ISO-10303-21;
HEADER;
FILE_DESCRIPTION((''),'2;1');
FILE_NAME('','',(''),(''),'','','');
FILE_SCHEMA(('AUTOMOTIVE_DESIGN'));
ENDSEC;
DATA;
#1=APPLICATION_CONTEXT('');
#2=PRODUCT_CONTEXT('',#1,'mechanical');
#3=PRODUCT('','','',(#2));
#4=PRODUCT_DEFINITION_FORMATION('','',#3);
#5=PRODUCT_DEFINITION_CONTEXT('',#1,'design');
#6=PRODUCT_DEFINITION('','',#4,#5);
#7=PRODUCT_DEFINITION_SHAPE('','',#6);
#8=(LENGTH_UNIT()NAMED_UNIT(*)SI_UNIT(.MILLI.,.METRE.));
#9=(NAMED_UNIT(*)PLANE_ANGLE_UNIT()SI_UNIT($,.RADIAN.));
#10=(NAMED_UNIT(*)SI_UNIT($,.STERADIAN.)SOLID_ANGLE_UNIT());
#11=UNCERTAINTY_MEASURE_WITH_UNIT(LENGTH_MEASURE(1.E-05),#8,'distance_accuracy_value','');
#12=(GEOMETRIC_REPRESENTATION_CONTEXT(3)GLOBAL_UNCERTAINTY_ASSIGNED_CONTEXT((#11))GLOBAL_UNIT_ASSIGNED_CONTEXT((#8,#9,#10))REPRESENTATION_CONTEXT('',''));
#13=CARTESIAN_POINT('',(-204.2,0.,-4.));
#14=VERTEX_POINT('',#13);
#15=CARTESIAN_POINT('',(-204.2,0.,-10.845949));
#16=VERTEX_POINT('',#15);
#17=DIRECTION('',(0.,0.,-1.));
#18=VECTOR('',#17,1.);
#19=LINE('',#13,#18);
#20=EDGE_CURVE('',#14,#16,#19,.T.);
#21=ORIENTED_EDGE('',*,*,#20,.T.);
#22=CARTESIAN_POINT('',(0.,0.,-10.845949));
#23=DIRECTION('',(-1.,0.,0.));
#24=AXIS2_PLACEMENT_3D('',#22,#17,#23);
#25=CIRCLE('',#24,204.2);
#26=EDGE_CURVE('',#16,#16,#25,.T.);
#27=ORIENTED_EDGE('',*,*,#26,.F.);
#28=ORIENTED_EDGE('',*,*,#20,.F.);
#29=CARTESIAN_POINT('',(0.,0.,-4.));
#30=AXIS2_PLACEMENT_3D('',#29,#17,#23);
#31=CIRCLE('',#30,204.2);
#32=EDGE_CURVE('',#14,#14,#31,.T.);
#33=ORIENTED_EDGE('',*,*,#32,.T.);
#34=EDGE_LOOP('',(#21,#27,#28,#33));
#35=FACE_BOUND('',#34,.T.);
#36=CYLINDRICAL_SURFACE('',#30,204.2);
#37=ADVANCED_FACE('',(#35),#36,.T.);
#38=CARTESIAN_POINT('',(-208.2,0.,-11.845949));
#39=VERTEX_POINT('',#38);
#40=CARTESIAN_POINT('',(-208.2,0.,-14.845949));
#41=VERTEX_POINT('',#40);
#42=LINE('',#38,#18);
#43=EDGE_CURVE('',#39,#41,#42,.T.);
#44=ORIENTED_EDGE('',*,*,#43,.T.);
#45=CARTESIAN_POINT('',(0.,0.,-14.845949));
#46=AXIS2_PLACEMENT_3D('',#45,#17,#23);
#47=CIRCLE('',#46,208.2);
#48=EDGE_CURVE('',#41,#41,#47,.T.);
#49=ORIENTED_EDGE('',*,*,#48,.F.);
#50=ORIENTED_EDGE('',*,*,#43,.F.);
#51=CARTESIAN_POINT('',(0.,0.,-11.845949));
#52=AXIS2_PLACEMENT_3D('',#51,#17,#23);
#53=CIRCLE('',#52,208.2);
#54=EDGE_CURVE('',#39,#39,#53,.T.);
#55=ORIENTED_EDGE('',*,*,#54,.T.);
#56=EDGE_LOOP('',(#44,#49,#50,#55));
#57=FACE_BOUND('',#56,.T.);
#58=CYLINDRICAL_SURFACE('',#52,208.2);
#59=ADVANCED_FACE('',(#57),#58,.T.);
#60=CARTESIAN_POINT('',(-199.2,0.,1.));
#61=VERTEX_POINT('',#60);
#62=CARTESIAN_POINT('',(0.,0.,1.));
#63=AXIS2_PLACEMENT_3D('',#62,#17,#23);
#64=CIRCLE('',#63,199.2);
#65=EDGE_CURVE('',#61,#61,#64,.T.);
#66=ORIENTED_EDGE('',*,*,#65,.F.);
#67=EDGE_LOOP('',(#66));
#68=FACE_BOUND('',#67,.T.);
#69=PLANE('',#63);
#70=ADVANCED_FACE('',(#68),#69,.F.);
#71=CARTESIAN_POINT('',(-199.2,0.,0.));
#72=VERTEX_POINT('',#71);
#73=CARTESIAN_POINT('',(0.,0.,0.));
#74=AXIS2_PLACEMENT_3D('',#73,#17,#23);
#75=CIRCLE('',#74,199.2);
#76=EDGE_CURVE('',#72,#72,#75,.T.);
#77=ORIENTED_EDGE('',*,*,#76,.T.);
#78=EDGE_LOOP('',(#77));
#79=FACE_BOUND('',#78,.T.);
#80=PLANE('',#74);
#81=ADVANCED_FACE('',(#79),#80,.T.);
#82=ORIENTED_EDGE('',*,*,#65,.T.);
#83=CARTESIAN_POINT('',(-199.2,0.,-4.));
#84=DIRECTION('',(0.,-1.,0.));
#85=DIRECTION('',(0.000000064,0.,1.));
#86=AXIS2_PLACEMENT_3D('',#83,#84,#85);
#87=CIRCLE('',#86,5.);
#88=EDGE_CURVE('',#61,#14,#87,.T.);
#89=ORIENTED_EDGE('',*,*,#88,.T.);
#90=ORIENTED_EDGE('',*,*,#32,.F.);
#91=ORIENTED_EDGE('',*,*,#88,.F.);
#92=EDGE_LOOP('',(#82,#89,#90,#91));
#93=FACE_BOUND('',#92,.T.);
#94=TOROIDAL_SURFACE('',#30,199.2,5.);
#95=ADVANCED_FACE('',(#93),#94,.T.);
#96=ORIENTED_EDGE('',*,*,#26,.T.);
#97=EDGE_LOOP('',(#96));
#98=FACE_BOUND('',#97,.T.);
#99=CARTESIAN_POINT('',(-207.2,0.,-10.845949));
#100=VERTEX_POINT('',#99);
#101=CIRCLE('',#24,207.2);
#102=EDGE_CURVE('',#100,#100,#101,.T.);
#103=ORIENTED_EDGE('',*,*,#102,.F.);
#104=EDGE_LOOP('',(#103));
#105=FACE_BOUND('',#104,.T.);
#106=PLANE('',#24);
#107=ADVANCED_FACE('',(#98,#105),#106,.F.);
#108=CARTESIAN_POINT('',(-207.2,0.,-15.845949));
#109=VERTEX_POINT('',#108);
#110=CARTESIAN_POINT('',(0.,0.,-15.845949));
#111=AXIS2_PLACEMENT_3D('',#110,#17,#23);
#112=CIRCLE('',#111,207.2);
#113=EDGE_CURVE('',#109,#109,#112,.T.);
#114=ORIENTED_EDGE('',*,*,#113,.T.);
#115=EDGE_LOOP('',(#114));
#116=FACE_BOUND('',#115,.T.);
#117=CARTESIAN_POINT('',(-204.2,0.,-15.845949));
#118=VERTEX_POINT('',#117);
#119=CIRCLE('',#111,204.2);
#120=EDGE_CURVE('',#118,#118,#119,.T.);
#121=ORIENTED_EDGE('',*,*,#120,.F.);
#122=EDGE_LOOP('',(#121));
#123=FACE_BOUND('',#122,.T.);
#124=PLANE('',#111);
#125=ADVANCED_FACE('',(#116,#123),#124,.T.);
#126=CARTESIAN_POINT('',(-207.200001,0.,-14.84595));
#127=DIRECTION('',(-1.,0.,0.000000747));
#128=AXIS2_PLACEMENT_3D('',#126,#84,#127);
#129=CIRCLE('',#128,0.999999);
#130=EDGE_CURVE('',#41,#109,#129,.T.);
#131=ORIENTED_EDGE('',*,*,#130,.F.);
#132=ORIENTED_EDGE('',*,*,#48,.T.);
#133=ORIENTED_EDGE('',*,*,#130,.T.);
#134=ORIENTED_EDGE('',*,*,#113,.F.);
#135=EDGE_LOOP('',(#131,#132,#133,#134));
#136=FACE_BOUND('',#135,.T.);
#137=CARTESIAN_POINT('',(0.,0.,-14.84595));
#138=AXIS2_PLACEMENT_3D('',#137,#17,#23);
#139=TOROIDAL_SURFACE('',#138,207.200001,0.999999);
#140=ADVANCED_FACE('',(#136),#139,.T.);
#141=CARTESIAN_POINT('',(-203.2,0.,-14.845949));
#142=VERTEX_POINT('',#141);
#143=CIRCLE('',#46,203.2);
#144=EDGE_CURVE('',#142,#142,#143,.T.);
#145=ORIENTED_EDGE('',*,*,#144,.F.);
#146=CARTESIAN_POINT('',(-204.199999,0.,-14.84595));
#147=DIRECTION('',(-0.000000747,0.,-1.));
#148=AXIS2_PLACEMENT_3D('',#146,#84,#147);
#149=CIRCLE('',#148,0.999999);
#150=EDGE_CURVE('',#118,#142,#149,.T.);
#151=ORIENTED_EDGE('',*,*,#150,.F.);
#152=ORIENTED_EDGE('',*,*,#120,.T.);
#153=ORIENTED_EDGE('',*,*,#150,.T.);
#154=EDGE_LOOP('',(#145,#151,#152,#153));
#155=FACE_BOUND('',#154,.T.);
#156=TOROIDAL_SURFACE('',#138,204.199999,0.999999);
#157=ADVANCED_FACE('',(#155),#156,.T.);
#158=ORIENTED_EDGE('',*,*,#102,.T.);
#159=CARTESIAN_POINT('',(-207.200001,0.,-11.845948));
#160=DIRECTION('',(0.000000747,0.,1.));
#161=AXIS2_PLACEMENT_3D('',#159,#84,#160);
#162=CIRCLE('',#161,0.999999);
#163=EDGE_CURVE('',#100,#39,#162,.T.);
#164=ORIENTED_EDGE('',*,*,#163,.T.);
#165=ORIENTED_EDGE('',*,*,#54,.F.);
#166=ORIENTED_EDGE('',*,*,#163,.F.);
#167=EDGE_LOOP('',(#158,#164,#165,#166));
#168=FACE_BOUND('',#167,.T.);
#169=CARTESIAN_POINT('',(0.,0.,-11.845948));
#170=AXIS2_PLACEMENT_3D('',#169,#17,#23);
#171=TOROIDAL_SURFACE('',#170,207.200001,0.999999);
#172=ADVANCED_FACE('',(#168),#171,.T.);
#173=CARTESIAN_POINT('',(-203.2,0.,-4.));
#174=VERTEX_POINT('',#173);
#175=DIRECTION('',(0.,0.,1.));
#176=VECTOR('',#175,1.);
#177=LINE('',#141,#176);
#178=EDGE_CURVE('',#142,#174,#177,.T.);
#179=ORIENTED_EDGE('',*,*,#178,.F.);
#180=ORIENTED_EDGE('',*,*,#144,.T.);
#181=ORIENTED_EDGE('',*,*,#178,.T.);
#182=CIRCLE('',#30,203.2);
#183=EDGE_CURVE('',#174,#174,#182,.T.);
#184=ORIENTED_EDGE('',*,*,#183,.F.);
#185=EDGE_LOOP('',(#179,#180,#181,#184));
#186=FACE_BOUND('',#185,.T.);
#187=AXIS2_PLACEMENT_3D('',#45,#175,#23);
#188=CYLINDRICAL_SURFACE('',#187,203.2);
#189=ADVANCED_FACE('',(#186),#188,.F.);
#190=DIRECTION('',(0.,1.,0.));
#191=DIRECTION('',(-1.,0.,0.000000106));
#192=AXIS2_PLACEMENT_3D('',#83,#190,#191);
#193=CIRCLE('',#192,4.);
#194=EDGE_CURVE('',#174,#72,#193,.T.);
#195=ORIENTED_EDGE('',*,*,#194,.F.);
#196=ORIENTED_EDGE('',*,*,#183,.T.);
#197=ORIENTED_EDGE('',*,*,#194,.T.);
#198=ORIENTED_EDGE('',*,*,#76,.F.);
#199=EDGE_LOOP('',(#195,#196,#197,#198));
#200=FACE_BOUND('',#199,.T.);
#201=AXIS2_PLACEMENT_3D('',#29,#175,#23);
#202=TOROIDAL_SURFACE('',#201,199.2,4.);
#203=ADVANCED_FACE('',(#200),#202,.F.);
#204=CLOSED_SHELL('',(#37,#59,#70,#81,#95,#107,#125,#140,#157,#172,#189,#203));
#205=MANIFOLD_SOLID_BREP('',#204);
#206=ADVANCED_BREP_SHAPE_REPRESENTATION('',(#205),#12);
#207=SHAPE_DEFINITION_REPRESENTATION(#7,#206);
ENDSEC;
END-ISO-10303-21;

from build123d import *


with BuildPart() as f1:
    # F0 (on Front) → F1 (revolve)
    with BuildSketch(Plane.XZ):
        with BuildLine():
            Line((-199.2, 0), (0, 0))
            Line((0, 0), (0, 1))
            Line((0, 1), (-199.2, 1))
            ThreePointArc((-199.2, 1), (-202.735534, -0.464466), (-204.2, -4))
            Line((-204.2, -4), (-204.2, -10.845949))
            Line((-204.2, -10.845949), (-207.2, -10.845949))
            ThreePointArc((-207.2, -10.845949), (-207.907107, -11.138842), (-208.2, -11.845949))
            Line((-208.2, -11.845949), (-208.2, -14.845949))
            ThreePointArc((-208.2, -14.845949), (-207.907107, -15.553056), (-207.2, -15.845949))
            Line((-207.2, -15.845949), (-204.2, -15.845949))
            ThreePointArc((-204.2, -15.845949), (-203.492893, -15.553056), (-203.2, -14.845949))
            Line((-203.2, -14.845949), (-203.2, -10.845949))
            Line((-203.2, -10.845949), (-203.2, -4))
            ThreePointArc((-203.2, -4), (-202.028427, -1.171573), (-199.2, 0))
        make_face()
    revolve(axis=Axis((0, 0, 0.5), (0, 0, -1)))


solid = f1.part
